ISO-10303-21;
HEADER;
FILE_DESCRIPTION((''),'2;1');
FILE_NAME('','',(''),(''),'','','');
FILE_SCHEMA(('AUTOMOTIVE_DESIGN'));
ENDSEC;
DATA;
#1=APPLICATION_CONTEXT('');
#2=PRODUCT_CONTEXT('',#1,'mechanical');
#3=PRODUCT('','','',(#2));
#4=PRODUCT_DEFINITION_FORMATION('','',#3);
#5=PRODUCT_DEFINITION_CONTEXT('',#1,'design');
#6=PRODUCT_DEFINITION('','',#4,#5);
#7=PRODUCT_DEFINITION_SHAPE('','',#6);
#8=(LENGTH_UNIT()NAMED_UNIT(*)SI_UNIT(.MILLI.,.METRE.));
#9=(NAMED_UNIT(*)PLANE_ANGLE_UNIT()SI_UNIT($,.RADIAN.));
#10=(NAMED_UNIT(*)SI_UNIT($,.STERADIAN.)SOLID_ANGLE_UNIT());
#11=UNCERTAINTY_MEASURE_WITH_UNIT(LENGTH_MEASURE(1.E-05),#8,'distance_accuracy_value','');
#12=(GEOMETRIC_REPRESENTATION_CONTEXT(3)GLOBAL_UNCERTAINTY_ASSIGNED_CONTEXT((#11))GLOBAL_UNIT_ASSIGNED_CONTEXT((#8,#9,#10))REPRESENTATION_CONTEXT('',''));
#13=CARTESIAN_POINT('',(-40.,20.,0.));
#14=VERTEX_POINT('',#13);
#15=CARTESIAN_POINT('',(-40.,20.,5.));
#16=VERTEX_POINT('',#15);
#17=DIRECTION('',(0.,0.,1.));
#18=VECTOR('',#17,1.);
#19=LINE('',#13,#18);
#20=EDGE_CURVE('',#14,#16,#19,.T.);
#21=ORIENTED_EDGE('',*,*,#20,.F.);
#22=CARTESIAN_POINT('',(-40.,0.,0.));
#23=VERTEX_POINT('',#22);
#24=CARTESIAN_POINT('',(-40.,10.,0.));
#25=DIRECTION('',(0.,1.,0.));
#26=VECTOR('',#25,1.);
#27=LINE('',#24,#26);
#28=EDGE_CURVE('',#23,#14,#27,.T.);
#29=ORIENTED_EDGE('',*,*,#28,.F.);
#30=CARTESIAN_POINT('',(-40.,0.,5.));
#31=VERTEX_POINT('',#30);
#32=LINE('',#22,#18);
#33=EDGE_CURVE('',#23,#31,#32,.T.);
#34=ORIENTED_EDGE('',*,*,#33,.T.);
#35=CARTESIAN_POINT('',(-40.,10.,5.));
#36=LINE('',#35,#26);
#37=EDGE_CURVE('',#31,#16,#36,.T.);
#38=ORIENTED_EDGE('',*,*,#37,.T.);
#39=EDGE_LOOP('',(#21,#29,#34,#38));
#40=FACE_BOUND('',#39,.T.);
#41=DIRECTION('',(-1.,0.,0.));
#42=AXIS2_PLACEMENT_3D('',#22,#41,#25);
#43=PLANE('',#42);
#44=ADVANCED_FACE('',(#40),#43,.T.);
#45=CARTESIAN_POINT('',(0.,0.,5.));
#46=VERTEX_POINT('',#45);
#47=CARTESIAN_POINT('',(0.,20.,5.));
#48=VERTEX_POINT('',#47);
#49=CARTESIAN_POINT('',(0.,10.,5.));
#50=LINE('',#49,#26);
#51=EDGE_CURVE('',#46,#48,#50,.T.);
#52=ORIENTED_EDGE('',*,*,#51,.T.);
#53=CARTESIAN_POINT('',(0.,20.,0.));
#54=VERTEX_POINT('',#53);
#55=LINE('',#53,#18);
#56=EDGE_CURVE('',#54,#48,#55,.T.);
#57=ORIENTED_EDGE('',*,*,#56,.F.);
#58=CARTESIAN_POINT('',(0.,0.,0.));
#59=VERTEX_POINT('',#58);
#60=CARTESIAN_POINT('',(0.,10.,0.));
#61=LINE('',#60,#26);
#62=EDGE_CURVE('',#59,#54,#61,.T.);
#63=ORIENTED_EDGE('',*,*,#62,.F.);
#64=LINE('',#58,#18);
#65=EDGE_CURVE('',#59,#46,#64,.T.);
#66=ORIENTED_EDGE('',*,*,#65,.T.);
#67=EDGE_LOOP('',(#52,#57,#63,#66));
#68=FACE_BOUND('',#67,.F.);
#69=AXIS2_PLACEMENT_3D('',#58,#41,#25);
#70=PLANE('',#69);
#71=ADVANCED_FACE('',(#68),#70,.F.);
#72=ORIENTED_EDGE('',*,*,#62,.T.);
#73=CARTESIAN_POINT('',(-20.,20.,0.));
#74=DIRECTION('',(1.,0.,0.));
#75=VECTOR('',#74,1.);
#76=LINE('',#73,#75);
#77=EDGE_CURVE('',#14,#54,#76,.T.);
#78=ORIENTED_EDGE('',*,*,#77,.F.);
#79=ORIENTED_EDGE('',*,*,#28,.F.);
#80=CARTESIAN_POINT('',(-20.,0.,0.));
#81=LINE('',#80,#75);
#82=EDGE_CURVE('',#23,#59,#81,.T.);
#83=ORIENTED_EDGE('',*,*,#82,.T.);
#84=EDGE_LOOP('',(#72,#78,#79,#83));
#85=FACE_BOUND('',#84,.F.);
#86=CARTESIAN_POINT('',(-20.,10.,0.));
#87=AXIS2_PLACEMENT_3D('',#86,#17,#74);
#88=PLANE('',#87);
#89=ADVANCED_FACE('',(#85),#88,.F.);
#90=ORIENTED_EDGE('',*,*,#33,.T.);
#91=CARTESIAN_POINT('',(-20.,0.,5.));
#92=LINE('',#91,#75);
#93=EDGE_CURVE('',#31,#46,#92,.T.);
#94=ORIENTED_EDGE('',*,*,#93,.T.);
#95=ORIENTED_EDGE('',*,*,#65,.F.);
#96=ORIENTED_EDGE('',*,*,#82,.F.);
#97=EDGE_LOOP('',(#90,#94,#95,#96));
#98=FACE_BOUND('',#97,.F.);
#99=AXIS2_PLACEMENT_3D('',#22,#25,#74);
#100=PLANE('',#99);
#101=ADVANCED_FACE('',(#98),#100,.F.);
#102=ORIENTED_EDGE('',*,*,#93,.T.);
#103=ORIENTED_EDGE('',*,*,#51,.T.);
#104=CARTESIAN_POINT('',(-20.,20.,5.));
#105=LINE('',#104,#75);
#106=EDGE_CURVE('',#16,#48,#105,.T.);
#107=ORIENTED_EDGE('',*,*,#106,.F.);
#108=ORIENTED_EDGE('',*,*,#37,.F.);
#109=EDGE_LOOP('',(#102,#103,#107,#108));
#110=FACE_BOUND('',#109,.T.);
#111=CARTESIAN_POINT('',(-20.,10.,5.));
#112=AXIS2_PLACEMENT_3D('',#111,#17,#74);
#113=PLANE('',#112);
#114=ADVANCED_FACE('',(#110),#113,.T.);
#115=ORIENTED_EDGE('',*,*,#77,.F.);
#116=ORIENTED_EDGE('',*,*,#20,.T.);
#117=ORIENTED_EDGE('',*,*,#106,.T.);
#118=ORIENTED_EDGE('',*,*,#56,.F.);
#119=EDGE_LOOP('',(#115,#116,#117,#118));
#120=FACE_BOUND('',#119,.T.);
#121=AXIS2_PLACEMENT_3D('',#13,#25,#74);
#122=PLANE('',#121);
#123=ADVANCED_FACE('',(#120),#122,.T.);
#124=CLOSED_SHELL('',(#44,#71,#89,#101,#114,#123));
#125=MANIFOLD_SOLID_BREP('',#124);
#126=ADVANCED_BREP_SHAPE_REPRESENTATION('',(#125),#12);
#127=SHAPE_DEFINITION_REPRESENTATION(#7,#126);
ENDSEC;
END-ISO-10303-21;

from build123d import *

# Parameters (mm, degrees)
SKETCH_W      = 40
SKETCH_H      = 20
EXTRUDE_DEPTH = 5


with BuildPart() as part:
    # Sketch → Extrude (new body)
    with BuildSketch(Plane.XY):
        with Locations((-20, 10)):
            Rectangle(SKETCH_W, SKETCH_H)
    extrude(amount=EXTRUDE_DEPTH)


solid = part.part
